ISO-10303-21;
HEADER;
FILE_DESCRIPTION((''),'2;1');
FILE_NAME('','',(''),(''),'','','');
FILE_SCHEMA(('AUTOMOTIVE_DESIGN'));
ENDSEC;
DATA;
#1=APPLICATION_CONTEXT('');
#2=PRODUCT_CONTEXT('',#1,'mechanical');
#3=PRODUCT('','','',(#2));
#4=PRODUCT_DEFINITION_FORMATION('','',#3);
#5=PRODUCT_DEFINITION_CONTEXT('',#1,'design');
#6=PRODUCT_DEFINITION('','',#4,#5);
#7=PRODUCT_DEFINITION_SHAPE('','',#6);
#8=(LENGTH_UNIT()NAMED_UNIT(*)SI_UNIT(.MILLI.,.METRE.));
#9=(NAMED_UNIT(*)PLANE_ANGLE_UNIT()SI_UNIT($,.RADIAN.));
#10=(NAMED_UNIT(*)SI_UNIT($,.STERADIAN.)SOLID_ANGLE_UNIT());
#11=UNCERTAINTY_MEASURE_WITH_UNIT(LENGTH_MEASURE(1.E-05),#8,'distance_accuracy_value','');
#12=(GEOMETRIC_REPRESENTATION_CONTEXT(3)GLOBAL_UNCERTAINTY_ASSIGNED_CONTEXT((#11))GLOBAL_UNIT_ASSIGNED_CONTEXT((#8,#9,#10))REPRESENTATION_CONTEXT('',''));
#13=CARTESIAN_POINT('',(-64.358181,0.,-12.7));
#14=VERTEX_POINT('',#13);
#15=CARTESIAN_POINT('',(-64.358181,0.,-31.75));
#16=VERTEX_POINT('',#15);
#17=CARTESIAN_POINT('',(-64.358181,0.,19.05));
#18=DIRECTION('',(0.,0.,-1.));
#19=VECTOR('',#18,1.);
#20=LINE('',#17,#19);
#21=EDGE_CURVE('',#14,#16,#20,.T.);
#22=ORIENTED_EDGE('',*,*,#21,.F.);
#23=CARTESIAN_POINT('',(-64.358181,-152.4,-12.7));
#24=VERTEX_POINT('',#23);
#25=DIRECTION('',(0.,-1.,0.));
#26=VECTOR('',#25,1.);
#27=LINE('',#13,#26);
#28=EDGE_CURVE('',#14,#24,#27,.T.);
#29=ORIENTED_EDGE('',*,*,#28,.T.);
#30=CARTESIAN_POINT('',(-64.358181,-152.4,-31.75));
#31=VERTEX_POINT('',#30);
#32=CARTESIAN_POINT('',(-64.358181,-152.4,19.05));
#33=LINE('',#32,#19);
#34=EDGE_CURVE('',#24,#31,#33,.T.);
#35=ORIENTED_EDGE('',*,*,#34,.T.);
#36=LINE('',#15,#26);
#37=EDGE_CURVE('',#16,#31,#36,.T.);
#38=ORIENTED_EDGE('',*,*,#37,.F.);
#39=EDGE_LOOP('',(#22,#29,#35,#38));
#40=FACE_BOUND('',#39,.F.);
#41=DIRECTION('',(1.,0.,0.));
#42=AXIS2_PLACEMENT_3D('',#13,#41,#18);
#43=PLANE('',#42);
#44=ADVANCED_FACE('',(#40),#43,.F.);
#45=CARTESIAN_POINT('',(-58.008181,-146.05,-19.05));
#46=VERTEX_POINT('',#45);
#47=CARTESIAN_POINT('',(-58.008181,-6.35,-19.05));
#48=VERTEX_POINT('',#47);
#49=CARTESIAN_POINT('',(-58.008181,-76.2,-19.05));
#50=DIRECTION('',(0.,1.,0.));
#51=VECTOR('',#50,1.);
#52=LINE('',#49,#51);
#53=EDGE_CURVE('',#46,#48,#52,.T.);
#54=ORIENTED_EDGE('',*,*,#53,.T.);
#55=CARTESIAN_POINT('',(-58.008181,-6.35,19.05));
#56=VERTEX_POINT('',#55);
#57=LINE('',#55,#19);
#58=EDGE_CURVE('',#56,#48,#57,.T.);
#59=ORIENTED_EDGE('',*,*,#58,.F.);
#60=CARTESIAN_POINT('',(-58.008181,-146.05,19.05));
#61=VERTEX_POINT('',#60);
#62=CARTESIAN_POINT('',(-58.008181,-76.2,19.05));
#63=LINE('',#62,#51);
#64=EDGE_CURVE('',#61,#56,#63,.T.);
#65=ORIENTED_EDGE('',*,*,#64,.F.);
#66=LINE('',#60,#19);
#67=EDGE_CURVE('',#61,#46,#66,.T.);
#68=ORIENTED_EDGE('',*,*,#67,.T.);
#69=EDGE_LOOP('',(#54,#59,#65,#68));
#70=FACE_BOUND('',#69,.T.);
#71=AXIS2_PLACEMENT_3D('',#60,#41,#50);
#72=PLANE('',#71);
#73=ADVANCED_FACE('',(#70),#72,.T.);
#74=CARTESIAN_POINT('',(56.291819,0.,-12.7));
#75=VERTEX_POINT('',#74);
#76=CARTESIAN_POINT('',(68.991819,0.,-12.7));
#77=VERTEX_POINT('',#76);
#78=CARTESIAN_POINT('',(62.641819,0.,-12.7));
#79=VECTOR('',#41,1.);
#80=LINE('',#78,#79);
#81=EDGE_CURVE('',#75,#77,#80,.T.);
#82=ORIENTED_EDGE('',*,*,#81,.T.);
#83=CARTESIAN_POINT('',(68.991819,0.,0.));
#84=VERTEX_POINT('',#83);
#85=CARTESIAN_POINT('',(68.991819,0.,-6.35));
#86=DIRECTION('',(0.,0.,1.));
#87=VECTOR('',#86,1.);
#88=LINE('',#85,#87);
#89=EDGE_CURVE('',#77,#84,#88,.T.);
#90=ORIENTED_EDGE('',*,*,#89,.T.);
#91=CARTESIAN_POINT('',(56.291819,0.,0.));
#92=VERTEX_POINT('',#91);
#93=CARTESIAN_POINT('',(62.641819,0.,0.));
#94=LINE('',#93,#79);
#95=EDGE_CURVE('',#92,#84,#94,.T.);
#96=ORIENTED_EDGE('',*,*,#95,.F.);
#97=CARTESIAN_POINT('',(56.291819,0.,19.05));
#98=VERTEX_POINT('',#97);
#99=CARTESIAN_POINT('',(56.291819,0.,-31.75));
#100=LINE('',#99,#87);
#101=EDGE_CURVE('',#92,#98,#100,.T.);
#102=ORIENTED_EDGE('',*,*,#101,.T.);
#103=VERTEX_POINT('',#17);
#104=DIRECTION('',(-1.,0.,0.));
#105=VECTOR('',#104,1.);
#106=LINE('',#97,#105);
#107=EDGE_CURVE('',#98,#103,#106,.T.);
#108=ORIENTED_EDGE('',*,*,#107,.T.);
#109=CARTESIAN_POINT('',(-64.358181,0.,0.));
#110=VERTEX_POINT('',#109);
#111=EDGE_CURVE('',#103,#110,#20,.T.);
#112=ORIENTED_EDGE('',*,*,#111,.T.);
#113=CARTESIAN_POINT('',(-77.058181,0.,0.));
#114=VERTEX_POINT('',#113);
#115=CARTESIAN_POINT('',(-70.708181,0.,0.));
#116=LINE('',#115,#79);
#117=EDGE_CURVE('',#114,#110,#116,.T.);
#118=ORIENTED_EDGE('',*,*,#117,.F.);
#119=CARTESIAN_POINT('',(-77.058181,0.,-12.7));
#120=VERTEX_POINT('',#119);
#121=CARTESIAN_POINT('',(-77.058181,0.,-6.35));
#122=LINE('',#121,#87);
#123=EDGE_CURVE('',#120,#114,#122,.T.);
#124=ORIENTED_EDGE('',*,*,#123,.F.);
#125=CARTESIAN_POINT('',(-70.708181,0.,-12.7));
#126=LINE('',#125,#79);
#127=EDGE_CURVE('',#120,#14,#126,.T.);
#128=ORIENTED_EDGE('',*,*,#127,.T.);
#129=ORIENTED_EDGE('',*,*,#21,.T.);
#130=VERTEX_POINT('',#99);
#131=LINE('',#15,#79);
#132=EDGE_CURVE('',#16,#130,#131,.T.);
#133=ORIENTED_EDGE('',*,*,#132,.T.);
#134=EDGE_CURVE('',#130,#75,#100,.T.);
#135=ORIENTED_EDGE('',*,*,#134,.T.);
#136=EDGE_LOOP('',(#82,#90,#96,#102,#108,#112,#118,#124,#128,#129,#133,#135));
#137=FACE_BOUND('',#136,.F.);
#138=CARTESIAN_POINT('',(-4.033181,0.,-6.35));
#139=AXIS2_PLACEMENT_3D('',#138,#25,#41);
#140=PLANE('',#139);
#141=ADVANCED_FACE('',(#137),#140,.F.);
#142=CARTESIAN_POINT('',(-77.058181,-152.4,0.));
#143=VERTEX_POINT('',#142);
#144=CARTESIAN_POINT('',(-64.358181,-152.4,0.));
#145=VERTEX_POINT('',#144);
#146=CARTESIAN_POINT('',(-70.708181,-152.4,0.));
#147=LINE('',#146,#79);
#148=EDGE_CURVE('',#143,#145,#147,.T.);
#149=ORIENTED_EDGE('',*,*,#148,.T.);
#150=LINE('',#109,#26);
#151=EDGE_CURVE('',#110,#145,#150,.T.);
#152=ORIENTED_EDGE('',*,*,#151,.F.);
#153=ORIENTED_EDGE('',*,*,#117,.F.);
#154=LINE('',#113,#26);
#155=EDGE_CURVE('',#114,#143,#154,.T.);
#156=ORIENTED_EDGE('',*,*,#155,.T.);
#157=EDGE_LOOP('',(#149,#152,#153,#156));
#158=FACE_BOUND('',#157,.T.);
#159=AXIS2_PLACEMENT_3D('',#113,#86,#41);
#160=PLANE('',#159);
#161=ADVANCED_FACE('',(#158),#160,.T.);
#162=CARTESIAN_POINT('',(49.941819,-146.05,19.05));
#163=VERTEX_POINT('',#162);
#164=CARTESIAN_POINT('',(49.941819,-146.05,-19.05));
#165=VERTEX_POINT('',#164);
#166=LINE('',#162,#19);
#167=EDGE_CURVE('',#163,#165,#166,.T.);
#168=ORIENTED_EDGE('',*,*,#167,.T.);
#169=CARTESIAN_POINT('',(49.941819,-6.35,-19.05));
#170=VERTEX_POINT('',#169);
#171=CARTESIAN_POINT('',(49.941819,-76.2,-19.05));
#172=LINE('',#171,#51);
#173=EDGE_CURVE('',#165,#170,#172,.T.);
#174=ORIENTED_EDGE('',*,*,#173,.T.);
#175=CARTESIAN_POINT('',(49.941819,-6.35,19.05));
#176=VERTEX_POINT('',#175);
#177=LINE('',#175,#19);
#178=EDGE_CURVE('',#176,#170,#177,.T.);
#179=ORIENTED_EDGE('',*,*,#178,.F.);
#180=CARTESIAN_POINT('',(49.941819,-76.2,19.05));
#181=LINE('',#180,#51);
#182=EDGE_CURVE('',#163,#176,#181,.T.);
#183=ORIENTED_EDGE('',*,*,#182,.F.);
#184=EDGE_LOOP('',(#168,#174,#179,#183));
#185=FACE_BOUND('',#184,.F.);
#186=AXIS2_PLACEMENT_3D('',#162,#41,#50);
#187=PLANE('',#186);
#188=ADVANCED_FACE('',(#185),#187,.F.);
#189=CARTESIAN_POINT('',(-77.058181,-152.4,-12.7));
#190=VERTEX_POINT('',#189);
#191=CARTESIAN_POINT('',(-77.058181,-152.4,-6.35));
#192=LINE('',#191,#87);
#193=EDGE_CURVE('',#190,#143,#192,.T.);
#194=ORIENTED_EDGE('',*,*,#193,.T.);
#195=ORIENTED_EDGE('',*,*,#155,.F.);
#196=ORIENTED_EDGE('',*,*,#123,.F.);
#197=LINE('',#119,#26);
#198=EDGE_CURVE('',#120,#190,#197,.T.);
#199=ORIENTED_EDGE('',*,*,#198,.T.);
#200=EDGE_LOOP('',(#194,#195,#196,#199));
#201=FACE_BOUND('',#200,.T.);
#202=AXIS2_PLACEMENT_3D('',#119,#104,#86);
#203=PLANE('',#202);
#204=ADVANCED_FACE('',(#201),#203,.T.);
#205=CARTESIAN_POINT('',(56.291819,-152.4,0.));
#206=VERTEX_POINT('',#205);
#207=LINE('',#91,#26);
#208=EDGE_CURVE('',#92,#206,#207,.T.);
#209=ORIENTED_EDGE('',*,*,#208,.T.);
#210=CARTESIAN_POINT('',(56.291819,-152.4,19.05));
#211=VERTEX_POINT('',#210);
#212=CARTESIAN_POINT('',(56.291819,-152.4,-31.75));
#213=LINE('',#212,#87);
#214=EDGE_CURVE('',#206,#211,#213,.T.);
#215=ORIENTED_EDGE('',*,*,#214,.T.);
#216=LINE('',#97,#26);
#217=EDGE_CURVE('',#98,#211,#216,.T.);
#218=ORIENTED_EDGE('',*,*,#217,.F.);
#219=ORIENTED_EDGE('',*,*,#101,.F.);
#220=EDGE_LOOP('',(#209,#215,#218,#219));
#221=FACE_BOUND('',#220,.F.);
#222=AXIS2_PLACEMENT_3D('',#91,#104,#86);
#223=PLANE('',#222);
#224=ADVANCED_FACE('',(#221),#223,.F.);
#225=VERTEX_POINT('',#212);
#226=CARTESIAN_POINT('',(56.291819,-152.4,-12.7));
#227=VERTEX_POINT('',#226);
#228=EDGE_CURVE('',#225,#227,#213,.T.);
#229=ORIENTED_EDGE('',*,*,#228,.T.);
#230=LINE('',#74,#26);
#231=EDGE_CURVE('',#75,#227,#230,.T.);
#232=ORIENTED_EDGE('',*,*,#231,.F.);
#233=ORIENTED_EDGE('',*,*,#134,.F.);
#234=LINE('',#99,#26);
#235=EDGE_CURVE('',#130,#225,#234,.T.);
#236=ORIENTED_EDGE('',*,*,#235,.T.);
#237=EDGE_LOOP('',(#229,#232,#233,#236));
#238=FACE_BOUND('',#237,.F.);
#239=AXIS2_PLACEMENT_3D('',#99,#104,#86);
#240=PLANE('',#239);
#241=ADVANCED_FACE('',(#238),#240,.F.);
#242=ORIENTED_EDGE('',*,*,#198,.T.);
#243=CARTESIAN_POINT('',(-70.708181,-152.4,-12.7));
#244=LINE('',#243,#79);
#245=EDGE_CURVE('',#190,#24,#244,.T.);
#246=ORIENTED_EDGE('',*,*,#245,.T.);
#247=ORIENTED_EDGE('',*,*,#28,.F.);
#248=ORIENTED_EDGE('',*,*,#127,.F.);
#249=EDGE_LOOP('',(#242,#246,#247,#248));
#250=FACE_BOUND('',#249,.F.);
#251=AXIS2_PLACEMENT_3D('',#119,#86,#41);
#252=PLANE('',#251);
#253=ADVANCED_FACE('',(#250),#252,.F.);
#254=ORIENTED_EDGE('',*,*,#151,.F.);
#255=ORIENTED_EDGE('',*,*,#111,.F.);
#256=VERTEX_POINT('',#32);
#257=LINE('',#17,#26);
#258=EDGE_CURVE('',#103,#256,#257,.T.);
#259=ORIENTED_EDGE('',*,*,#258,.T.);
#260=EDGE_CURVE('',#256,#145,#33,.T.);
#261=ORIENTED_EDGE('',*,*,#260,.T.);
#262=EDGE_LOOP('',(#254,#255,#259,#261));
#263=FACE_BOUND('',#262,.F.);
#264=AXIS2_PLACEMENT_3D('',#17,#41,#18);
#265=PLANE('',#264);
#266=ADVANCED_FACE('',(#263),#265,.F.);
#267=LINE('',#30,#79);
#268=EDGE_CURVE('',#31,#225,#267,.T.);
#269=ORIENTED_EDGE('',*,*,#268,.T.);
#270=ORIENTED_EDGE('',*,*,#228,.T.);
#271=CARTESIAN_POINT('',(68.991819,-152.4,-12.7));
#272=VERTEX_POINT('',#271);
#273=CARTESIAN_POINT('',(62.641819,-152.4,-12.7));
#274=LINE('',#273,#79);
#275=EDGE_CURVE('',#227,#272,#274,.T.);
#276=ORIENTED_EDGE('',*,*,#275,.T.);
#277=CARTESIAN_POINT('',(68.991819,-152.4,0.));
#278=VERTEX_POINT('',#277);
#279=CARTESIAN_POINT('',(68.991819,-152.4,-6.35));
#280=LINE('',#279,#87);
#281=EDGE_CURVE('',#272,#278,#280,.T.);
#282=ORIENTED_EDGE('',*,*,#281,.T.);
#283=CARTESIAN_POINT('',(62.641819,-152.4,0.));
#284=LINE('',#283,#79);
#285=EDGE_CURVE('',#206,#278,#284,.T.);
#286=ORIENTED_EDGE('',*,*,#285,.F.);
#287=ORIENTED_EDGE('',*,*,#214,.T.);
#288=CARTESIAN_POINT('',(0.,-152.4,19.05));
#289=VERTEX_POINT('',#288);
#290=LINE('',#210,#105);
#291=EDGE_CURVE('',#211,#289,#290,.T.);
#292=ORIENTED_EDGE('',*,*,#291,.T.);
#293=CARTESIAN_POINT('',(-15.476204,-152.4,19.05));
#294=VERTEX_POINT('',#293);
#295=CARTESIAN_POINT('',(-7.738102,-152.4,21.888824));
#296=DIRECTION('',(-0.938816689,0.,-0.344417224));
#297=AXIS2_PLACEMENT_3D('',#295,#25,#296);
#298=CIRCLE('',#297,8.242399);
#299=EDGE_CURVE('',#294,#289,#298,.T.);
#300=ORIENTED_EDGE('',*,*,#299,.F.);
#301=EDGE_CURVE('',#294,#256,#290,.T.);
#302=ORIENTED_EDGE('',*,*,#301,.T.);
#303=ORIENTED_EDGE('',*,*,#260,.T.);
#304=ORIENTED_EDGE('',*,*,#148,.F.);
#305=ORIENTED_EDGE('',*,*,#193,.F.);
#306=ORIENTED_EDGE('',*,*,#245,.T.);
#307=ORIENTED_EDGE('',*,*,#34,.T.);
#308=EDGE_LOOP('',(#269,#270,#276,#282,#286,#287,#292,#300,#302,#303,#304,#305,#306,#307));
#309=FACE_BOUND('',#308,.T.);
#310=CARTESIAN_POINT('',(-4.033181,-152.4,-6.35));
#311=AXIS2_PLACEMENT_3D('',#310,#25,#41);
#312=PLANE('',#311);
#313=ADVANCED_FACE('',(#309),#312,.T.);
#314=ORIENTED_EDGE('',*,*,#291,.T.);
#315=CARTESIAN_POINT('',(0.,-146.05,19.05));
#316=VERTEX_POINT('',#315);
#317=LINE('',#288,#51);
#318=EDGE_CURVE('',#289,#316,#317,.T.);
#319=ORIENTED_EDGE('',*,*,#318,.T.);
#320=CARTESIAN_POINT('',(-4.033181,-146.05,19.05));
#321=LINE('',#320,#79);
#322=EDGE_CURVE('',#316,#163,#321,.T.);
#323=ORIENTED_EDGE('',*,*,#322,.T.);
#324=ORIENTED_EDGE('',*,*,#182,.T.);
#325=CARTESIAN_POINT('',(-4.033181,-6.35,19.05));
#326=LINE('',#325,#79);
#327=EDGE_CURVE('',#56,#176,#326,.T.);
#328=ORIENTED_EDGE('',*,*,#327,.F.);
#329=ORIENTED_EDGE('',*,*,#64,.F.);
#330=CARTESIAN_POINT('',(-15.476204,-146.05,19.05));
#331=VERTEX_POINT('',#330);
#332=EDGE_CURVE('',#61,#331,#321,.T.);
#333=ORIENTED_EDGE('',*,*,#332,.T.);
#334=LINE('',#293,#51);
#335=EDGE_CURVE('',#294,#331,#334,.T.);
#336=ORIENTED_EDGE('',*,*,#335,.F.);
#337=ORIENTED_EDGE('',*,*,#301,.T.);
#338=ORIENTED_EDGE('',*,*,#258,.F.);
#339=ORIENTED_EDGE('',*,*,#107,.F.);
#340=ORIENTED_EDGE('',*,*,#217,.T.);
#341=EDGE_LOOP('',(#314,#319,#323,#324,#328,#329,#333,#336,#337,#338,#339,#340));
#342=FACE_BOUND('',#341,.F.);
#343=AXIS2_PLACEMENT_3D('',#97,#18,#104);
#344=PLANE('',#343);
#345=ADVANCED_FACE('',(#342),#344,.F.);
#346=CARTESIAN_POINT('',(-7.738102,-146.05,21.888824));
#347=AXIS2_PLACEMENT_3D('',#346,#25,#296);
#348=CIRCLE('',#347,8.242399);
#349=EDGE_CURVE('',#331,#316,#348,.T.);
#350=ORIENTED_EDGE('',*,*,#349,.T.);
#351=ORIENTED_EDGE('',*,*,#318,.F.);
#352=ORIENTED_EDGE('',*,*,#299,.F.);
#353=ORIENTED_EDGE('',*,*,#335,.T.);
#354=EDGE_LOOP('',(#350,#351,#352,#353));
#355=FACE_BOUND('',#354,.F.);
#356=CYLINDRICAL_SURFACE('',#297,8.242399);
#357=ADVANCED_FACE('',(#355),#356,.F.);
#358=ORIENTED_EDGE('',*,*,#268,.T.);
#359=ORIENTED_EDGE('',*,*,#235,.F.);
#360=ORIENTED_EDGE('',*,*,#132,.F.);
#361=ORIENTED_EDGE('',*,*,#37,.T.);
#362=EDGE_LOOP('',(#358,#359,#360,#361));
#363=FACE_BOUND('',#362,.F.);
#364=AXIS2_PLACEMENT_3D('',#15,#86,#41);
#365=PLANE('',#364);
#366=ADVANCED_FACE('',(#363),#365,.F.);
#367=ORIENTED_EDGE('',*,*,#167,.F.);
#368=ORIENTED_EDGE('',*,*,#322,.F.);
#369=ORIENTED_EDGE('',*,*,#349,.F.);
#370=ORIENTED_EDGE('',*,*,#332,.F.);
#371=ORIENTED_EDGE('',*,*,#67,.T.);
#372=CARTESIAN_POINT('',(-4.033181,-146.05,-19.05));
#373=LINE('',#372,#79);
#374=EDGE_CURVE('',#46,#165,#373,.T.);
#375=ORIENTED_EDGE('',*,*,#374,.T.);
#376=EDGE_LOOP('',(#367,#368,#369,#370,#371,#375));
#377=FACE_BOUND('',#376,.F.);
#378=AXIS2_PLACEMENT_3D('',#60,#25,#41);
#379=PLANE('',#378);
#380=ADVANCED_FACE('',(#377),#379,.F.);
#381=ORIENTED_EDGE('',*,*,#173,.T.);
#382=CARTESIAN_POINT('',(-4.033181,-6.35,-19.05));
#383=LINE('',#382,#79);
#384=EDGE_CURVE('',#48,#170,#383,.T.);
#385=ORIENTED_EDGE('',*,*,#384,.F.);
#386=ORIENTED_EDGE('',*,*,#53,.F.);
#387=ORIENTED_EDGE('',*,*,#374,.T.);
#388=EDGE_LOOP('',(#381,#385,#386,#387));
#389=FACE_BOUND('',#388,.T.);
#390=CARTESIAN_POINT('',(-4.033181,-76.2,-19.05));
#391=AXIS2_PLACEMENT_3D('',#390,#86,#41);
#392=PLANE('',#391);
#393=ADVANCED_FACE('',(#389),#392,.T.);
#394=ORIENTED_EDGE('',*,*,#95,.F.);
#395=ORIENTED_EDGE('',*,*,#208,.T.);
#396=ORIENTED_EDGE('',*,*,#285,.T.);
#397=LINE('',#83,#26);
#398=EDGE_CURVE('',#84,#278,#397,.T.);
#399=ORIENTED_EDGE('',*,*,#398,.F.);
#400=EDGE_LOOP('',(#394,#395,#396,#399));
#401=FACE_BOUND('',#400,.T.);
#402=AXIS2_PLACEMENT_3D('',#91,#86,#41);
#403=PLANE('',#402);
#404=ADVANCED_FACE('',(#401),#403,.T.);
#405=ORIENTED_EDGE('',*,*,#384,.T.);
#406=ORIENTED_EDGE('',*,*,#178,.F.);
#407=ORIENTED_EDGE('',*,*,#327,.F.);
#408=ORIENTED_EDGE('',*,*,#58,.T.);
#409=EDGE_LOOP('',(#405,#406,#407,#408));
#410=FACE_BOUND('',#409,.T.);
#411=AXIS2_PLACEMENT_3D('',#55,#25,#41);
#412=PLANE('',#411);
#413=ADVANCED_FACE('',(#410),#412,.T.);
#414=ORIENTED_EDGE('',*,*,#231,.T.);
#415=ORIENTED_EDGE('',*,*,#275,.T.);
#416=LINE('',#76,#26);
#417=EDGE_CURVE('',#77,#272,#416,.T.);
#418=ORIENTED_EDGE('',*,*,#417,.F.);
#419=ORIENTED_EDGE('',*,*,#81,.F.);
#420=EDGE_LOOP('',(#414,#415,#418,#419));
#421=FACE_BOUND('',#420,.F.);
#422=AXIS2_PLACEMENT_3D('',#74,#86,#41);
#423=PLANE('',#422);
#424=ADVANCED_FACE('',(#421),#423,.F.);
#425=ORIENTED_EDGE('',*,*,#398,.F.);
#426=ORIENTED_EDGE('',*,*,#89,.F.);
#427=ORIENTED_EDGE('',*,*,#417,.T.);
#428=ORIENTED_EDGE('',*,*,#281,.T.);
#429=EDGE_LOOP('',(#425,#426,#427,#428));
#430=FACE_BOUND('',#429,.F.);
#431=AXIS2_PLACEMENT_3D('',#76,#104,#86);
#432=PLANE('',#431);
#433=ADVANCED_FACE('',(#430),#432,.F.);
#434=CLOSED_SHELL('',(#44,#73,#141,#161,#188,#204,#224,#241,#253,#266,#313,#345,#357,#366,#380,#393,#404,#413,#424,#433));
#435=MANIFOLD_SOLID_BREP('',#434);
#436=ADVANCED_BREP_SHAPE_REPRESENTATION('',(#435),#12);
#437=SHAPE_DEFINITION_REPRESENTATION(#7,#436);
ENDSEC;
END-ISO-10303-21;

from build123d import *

# Parameters (mm, degrees)
F0_W     = 12.7
F0_H     = 12.7
F1_DEPTH = 152.4
F2_W     = 107.95
F2_H     = 139.7
F3_DEPTH = 38.1
F5_DEPTH = 6.35


with BuildPart() as f1:
    # F0 (on Front) → F1 (new body)
    with BuildSketch(Plane.XZ):
        Polygon((56.291819, 19.05), (-64.358181, 19.05), (-64.358181, 0), (-64.358181, -12.7), (-64.358181, -31.75), (56.291819, -31.75), (56.291819, -12.7), (56.291819, 0), align=None)
        with Locations((-70.708181, -6.35)):
            Rectangle(F0_W, F0_H)
        with Locations((62.641819, -6.35)):
            Rectangle(F0_W, F0_H)
    extrude(amount=F1_DEPTH)

    # F2 (on face) → F3 (cut)
    with BuildSketch(Plane.XY.offset(19.05)):
        with Locations((-4.033181, -76.2)):
            Rectangle(F2_W, F2_H)
    extrude(amount=-F3_DEPTH, mode=Mode.SUBTRACT)

    # F4 (on face) → F5 (cut)
    with BuildSketch(Plane.XZ.offset(152.4)):
        with BuildLine():
            Line((0, 19.05), (-15.476204, 19.05))
            ThreePointArc((-15.476204, 19.05), (-7.738102, 13.646425), (0, 19.05))
        make_face()
    extrude(amount=-F5_DEPTH, mode=Mode.SUBTRACT)


solid = f1.part
